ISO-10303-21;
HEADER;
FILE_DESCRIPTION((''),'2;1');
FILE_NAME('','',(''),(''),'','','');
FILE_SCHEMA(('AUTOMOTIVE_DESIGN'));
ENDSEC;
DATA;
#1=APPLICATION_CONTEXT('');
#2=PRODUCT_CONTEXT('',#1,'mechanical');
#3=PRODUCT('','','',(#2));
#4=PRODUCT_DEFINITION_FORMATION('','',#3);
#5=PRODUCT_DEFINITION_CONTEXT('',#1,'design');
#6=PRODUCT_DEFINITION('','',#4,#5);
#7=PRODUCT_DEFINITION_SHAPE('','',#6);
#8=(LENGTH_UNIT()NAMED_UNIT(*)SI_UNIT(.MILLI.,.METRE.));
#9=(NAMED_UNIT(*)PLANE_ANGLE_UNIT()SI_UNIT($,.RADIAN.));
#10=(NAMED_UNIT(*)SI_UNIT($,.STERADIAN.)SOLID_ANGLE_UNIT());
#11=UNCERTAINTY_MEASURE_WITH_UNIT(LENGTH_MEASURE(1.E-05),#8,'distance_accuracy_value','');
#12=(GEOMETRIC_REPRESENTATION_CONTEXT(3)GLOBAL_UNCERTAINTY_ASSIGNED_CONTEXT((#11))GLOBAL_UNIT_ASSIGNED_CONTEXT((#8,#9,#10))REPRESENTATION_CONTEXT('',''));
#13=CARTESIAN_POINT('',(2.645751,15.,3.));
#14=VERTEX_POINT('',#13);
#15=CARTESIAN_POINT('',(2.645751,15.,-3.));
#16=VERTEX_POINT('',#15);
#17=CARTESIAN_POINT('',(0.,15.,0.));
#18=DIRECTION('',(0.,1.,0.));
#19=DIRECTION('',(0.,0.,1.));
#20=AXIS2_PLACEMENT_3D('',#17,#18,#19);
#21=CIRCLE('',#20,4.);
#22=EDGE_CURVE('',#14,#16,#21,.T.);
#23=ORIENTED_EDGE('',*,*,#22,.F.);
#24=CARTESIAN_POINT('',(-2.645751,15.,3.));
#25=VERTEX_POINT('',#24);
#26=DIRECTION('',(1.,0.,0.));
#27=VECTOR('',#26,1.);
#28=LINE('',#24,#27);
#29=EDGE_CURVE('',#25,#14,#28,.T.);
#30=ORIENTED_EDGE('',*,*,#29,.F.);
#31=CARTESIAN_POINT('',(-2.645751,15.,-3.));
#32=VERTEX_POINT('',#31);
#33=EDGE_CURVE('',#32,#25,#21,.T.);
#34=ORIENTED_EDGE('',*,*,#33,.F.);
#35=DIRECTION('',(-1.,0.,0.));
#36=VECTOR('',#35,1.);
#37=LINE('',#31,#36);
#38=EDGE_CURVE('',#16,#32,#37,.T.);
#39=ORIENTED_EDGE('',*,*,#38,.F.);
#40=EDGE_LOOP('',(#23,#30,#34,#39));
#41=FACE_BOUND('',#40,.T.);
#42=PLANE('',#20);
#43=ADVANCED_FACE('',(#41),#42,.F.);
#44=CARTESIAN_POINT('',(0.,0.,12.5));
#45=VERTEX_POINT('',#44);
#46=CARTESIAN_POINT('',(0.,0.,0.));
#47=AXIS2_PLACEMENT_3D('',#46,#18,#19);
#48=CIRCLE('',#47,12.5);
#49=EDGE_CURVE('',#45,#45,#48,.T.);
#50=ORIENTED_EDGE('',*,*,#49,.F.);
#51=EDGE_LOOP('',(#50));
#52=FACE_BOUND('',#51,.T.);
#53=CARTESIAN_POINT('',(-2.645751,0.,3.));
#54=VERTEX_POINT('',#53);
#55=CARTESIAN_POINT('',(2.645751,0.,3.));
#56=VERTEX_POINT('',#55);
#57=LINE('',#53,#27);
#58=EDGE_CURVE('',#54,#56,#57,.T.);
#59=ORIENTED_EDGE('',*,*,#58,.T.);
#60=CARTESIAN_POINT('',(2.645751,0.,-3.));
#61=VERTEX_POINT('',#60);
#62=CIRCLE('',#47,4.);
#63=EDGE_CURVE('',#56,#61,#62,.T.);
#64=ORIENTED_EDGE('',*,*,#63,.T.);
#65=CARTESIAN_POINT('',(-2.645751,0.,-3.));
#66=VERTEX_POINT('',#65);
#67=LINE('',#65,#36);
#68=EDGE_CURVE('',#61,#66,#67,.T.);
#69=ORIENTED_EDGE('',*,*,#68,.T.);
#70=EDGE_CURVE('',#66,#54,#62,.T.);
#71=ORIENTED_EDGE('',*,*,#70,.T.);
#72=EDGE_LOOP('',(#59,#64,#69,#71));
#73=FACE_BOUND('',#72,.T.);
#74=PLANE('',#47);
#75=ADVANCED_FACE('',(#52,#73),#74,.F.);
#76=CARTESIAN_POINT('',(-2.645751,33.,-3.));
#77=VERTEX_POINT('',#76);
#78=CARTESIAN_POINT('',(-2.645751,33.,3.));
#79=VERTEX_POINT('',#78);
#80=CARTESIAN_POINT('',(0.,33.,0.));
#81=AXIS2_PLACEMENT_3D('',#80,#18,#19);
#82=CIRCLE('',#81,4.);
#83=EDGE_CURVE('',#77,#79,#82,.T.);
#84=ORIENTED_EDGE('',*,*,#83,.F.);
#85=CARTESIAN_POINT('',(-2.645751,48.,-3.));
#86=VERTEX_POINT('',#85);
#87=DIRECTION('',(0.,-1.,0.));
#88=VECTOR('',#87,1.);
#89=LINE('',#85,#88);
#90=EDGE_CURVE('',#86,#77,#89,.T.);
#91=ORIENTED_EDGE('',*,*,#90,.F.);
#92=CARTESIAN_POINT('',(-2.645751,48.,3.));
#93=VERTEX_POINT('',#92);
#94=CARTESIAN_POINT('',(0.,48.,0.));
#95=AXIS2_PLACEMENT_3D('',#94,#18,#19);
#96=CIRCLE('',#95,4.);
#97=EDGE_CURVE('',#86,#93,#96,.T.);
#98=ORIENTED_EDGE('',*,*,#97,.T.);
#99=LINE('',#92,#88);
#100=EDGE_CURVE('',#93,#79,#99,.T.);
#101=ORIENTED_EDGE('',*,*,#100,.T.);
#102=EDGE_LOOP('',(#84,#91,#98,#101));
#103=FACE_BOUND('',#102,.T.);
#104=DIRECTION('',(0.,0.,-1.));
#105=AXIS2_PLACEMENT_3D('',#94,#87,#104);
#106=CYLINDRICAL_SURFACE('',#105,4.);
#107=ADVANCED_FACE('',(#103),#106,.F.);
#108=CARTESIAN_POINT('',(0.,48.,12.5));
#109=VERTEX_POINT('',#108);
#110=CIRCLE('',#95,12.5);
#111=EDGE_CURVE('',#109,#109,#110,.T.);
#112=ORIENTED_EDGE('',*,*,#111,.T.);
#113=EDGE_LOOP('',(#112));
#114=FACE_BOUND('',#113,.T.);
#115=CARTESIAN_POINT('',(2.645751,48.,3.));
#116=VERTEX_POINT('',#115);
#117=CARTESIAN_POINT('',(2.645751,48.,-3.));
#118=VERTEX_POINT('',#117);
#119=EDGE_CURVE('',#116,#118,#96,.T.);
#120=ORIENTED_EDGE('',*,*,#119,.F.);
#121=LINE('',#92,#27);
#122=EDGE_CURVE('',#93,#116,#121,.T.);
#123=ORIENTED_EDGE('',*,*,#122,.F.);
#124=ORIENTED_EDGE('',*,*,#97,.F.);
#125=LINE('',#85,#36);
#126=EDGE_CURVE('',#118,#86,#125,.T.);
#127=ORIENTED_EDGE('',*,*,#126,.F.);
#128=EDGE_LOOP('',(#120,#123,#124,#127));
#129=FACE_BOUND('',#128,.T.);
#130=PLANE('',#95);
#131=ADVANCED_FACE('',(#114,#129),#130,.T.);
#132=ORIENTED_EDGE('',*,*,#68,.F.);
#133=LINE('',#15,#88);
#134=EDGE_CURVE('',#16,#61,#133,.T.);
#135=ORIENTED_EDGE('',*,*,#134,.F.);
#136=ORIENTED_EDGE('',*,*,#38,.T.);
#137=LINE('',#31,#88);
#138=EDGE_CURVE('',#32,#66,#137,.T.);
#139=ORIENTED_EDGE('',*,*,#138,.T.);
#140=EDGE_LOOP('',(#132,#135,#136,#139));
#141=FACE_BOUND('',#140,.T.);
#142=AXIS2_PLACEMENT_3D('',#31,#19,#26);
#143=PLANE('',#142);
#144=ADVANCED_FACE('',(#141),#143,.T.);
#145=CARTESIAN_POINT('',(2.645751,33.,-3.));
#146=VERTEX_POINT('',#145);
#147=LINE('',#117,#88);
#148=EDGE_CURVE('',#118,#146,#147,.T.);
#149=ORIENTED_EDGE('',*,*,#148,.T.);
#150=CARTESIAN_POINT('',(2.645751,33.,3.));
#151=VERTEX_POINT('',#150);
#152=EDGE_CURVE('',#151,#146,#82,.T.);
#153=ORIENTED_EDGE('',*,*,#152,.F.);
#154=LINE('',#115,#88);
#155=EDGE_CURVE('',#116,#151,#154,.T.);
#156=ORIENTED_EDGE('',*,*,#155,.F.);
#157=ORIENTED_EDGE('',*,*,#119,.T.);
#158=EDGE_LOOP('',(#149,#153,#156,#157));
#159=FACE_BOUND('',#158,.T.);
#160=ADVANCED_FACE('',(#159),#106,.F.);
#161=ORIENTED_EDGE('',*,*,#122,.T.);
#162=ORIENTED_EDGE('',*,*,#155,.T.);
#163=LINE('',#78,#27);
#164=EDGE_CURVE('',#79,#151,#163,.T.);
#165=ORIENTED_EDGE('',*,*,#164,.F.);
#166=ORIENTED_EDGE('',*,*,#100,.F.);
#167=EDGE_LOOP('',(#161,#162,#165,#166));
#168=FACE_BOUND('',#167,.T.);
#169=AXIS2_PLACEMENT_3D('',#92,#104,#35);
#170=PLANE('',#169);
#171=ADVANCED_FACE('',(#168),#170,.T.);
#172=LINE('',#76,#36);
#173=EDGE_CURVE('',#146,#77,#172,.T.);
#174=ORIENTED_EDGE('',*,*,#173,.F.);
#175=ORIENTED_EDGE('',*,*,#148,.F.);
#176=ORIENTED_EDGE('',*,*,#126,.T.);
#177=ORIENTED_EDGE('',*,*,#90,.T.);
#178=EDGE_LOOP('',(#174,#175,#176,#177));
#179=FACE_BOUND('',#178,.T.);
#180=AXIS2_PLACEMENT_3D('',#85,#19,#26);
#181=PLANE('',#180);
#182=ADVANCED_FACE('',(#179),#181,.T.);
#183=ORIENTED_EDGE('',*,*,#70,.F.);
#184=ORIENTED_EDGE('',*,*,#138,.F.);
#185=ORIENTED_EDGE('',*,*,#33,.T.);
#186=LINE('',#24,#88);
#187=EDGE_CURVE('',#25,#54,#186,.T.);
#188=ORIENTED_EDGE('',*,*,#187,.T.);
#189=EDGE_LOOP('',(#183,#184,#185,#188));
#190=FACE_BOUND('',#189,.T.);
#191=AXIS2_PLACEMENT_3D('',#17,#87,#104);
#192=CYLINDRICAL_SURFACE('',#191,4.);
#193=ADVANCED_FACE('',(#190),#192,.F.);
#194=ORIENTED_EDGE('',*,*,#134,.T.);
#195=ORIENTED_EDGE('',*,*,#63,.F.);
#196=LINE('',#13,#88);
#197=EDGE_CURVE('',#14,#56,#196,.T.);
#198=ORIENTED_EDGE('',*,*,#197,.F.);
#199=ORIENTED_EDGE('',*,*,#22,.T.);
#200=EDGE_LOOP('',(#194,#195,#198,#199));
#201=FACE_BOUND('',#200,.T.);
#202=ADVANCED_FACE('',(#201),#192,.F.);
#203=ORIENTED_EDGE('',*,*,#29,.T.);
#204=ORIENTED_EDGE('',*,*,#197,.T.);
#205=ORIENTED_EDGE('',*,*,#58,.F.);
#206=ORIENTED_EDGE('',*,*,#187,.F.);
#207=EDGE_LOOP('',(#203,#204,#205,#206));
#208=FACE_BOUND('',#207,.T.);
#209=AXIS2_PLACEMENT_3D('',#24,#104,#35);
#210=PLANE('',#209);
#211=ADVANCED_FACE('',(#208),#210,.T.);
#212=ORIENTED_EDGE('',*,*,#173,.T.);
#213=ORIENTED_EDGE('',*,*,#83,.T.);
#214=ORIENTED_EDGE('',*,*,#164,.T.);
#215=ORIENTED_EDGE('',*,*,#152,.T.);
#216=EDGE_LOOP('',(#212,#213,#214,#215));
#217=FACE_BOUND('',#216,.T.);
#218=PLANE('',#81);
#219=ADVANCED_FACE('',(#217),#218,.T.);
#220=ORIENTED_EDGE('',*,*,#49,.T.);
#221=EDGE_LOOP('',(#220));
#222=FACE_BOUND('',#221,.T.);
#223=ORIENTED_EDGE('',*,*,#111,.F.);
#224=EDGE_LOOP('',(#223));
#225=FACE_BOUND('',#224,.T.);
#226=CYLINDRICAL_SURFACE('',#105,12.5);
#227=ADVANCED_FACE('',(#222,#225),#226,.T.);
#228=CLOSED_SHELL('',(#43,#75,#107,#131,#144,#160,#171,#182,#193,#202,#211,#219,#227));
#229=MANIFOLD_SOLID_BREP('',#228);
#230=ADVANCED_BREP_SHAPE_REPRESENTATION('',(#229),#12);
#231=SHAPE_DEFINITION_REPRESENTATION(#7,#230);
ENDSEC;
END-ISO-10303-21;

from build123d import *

# Parameters (mm, degrees)
CROQUIS1_R              = 12.5
SALIENTE_EXTRUIR1_DEPTH = 48
CORTAR_EXTRUIR1_DEPTH   = 15
CORTAR_EXTRUIR2_START   = 33
CORTAR_EXTRUIR2_DEPTH   = 15


with BuildPart() as part:
    # Croquis1 → Saliente-Extruir1 (new body)
    with BuildSketch(Plane(origin=(0, 0, 0), x_dir=(1, 0, 0), z_dir=(0, 1, 0))):
        Circle(CROQUIS1_R)
    extrude(amount=SALIENTE_EXTRUIR1_DEPTH)

    # Croquis2 → Cortar-Extruir1 (cut)
    with BuildSketch(Plane(origin=(0, 0, 0), x_dir=(1, 0, 0), z_dir=(0, 1, 0))):
        with BuildLine():
            Line((-2.645751311, -3), (2.645751311, -3))
            ThreePointArc((2.645751311, -3), (4, 0), (2.645751311, 3))
            Line((2.645751311, 3), (-2.645751311, 3))
            ThreePointArc((-2.645751311, 3), (-4, 0), (-2.645751311, -3))
        make_face()
    extrude(amount=CORTAR_EXTRUIR1_DEPTH, mode=Mode.SUBTRACT)

    # Croquis2<2> → Cortar-Extruir2 (cut)
    with BuildSketch(Plane(origin=(0, 0, 0), x_dir=(1, 0, 0), z_dir=(0, 1, 0)).offset(CORTAR_EXTRUIR2_START)):
        with BuildLine():
            Line((-2.645751311, -3), (2.645751311, -3))
            ThreePointArc((2.645751311, -3), (4, 0), (2.645751311, 3))
            Line((2.645751311, 3), (-2.645751311, 3))
            ThreePointArc((-2.645751311, 3), (-4, 0), (-2.645751311, -3))
        make_face()
    extrude(amount=CORTAR_EXTRUIR2_DEPTH, mode=Mode.SUBTRACT)


solid = part.part
